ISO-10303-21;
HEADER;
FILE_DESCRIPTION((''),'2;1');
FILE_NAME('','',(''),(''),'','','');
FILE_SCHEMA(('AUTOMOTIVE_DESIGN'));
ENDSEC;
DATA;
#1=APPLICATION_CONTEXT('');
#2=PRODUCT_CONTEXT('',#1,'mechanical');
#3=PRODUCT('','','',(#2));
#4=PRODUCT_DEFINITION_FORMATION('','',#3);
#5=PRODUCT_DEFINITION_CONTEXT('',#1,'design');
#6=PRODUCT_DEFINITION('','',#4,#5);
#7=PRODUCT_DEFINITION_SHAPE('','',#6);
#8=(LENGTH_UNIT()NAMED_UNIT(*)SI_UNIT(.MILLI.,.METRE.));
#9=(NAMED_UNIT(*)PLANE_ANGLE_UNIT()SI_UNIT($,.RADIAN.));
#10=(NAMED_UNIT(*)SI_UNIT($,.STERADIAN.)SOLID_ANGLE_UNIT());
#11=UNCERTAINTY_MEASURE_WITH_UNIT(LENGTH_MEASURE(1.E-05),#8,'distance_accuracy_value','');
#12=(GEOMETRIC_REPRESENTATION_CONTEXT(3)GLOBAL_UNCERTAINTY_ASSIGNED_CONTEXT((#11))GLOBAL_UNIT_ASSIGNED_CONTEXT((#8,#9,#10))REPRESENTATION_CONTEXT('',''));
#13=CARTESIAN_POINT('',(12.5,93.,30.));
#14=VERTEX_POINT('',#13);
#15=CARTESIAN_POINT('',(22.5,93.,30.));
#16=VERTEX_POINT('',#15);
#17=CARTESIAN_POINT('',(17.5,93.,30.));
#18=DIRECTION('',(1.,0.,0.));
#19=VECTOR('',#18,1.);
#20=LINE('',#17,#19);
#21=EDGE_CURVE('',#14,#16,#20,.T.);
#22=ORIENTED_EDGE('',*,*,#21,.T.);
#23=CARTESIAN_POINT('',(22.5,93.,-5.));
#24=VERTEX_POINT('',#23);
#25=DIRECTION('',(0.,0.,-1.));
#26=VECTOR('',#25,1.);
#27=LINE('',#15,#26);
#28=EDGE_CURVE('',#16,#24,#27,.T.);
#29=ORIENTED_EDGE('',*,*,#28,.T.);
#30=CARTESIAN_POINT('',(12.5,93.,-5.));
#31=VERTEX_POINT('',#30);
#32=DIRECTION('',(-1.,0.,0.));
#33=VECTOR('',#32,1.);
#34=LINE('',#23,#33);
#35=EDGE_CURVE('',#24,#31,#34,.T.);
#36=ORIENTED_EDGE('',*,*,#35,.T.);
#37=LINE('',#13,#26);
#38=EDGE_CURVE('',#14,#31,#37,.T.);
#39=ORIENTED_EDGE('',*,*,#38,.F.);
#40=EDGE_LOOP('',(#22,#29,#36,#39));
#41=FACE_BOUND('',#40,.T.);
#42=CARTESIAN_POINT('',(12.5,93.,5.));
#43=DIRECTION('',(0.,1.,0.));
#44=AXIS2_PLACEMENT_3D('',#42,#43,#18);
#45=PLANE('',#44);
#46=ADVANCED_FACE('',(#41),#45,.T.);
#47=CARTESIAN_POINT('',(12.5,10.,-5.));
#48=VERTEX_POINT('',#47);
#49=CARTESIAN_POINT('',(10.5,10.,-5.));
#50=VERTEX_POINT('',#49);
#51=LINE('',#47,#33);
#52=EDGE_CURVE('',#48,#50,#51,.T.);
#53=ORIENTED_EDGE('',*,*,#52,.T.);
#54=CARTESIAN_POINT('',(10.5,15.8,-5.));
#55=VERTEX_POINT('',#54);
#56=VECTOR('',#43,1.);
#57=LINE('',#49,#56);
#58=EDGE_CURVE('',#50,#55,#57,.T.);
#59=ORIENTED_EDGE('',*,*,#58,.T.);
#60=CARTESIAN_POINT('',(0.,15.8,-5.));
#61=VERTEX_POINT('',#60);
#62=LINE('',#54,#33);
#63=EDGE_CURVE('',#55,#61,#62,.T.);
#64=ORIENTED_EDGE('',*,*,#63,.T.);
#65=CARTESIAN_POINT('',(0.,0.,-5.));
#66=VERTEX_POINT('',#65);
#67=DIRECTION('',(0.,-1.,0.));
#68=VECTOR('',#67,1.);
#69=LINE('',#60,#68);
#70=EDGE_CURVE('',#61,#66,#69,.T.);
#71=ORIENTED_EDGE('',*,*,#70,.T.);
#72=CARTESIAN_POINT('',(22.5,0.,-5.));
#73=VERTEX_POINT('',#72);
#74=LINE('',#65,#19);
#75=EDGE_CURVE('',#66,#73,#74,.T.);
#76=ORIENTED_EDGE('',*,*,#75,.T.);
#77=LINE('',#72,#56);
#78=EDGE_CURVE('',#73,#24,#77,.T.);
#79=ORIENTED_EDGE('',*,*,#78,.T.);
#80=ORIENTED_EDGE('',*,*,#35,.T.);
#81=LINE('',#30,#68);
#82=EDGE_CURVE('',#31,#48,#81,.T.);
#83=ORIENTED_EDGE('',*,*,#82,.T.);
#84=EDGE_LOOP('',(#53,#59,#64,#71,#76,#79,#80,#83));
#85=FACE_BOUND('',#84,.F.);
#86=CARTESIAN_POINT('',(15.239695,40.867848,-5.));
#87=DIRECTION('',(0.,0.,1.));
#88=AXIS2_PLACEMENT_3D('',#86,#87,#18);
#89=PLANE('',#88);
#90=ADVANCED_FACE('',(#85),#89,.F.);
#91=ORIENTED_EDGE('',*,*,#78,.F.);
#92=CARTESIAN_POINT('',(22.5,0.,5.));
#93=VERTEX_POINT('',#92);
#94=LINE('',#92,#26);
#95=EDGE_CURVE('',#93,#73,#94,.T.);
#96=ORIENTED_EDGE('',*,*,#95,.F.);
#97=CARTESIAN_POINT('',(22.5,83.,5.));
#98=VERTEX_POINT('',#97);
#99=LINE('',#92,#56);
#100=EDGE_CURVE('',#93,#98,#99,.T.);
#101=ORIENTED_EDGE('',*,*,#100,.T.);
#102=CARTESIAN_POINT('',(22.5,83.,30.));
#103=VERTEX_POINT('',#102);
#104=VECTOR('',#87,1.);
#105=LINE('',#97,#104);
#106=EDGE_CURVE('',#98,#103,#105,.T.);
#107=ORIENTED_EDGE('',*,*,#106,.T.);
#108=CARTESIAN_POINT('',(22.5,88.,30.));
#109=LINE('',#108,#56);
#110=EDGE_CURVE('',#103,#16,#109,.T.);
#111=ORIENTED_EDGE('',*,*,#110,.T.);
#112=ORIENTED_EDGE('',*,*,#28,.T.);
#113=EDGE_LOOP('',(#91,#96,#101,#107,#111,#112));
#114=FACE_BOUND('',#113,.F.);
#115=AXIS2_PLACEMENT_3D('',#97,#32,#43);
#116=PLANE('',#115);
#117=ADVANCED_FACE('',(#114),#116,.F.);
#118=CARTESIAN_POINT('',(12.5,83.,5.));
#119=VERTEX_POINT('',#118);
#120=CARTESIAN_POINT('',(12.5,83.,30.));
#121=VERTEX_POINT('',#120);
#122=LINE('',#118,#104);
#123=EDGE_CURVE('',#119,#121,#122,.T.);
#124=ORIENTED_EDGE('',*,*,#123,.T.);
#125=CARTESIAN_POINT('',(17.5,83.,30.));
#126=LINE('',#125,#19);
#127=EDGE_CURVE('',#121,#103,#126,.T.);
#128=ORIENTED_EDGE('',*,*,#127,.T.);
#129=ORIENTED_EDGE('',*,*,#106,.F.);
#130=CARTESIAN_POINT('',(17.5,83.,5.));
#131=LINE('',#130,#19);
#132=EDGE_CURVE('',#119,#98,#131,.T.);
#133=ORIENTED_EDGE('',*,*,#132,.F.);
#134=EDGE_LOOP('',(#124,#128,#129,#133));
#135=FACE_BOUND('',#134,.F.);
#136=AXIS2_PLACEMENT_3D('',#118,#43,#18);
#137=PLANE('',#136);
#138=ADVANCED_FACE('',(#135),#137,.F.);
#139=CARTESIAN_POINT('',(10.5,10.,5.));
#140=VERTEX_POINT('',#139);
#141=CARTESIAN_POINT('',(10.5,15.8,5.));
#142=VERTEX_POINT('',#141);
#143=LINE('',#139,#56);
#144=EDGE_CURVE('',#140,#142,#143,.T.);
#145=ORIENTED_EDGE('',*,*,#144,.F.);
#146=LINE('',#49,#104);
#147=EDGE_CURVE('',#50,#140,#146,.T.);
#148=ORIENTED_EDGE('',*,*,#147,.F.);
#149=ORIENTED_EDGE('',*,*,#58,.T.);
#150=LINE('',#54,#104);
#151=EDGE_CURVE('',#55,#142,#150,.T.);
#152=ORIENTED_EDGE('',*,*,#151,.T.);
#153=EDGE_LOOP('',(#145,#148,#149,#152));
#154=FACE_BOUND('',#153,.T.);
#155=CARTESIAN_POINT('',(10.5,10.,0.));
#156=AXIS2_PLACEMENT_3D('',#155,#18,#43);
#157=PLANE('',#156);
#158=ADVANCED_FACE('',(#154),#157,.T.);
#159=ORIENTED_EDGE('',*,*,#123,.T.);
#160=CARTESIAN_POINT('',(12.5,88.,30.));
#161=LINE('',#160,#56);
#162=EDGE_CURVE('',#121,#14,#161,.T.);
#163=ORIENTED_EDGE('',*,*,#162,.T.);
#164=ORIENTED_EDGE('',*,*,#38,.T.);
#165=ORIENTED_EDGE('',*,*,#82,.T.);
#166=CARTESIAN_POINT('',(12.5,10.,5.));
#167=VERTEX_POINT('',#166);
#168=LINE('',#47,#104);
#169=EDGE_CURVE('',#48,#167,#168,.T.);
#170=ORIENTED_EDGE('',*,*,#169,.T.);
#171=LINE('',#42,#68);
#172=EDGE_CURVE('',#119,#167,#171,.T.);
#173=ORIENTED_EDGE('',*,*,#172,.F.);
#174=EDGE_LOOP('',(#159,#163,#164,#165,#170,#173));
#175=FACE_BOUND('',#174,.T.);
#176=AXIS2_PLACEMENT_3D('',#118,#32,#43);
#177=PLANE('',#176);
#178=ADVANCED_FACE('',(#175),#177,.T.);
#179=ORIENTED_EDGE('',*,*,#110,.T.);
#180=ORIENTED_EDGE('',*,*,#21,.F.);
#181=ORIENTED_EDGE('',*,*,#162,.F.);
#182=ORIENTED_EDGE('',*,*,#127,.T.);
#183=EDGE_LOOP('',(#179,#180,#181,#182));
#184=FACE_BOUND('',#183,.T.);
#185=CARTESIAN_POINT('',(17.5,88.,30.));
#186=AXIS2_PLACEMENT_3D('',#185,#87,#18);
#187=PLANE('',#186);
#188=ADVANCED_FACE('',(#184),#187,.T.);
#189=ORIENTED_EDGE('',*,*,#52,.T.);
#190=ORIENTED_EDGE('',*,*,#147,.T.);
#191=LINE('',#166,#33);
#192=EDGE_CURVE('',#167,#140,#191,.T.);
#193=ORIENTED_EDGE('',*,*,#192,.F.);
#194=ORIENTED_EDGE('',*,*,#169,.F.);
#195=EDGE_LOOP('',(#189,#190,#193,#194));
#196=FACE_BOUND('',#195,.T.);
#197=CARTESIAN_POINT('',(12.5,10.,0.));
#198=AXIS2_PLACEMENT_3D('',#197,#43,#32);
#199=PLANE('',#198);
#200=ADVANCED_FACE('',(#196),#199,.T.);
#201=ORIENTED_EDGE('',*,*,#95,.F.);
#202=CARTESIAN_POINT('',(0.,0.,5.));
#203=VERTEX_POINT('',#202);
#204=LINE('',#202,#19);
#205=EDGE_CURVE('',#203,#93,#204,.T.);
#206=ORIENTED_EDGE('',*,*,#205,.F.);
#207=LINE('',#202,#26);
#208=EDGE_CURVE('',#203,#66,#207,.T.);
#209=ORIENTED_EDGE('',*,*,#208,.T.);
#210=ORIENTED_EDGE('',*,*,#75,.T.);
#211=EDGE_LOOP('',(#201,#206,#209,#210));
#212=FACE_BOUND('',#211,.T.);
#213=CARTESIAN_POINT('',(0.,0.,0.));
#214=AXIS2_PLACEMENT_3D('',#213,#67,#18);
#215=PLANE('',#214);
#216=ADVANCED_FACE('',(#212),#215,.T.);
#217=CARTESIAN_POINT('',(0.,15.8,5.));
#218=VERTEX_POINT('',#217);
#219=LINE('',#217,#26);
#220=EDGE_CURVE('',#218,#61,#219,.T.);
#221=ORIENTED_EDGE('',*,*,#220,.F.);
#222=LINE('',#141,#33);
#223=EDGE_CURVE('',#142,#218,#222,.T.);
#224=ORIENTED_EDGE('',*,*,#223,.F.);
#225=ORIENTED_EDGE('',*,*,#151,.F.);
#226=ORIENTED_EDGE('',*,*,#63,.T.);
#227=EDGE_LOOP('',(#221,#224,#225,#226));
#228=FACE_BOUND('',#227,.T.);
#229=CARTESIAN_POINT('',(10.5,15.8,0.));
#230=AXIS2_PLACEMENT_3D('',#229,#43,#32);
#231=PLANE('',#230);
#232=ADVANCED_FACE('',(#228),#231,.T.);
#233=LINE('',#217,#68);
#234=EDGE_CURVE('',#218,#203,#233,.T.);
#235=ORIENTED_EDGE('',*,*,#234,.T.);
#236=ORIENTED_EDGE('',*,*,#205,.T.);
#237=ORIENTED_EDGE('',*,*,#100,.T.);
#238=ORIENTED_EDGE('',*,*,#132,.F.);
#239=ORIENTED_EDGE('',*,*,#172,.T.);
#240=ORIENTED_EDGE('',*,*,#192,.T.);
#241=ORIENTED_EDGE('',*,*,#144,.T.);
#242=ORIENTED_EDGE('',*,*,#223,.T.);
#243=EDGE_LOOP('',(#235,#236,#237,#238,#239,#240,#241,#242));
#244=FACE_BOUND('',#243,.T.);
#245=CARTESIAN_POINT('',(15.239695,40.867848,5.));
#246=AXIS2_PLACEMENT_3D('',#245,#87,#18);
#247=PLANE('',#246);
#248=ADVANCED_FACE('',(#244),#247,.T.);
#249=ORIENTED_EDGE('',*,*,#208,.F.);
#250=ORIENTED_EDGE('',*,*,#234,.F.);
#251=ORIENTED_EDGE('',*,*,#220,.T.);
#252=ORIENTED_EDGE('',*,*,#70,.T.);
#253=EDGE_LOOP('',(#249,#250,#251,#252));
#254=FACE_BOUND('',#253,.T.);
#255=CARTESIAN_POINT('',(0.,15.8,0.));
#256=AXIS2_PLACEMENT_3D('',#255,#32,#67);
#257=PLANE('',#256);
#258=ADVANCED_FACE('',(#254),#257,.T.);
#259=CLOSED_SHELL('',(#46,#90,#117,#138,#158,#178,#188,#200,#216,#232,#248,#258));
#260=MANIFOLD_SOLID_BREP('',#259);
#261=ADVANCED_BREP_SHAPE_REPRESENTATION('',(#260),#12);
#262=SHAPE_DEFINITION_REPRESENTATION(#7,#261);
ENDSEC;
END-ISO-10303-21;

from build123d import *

# Parameters (mm, degrees)
F1_DEPTH = 5
F2_W     = 10
F2_H     = 10
F3_DEPTH = 25


with BuildPart() as f1:
    # F0 (on Top) → F1 (new body, symmetric)
    with BuildSketch(Plane.XY):
        Polygon((22.5, 0), (22.5, 93), (12.5, 93), (12.5, 10), (10.5, 10), (10.5, 15.8), (0, 15.8), (0, 0), align=None)
    extrude(amount=F1_DEPTH, both=True)

    # F2 (on face) → F3 (join)
    with BuildSketch(Plane.XY.offset(5)):
        with Locations((17.5, 88)):
            Rectangle(F2_W, F2_H)
    extrude(amount=F3_DEPTH)


solid = f1.part
